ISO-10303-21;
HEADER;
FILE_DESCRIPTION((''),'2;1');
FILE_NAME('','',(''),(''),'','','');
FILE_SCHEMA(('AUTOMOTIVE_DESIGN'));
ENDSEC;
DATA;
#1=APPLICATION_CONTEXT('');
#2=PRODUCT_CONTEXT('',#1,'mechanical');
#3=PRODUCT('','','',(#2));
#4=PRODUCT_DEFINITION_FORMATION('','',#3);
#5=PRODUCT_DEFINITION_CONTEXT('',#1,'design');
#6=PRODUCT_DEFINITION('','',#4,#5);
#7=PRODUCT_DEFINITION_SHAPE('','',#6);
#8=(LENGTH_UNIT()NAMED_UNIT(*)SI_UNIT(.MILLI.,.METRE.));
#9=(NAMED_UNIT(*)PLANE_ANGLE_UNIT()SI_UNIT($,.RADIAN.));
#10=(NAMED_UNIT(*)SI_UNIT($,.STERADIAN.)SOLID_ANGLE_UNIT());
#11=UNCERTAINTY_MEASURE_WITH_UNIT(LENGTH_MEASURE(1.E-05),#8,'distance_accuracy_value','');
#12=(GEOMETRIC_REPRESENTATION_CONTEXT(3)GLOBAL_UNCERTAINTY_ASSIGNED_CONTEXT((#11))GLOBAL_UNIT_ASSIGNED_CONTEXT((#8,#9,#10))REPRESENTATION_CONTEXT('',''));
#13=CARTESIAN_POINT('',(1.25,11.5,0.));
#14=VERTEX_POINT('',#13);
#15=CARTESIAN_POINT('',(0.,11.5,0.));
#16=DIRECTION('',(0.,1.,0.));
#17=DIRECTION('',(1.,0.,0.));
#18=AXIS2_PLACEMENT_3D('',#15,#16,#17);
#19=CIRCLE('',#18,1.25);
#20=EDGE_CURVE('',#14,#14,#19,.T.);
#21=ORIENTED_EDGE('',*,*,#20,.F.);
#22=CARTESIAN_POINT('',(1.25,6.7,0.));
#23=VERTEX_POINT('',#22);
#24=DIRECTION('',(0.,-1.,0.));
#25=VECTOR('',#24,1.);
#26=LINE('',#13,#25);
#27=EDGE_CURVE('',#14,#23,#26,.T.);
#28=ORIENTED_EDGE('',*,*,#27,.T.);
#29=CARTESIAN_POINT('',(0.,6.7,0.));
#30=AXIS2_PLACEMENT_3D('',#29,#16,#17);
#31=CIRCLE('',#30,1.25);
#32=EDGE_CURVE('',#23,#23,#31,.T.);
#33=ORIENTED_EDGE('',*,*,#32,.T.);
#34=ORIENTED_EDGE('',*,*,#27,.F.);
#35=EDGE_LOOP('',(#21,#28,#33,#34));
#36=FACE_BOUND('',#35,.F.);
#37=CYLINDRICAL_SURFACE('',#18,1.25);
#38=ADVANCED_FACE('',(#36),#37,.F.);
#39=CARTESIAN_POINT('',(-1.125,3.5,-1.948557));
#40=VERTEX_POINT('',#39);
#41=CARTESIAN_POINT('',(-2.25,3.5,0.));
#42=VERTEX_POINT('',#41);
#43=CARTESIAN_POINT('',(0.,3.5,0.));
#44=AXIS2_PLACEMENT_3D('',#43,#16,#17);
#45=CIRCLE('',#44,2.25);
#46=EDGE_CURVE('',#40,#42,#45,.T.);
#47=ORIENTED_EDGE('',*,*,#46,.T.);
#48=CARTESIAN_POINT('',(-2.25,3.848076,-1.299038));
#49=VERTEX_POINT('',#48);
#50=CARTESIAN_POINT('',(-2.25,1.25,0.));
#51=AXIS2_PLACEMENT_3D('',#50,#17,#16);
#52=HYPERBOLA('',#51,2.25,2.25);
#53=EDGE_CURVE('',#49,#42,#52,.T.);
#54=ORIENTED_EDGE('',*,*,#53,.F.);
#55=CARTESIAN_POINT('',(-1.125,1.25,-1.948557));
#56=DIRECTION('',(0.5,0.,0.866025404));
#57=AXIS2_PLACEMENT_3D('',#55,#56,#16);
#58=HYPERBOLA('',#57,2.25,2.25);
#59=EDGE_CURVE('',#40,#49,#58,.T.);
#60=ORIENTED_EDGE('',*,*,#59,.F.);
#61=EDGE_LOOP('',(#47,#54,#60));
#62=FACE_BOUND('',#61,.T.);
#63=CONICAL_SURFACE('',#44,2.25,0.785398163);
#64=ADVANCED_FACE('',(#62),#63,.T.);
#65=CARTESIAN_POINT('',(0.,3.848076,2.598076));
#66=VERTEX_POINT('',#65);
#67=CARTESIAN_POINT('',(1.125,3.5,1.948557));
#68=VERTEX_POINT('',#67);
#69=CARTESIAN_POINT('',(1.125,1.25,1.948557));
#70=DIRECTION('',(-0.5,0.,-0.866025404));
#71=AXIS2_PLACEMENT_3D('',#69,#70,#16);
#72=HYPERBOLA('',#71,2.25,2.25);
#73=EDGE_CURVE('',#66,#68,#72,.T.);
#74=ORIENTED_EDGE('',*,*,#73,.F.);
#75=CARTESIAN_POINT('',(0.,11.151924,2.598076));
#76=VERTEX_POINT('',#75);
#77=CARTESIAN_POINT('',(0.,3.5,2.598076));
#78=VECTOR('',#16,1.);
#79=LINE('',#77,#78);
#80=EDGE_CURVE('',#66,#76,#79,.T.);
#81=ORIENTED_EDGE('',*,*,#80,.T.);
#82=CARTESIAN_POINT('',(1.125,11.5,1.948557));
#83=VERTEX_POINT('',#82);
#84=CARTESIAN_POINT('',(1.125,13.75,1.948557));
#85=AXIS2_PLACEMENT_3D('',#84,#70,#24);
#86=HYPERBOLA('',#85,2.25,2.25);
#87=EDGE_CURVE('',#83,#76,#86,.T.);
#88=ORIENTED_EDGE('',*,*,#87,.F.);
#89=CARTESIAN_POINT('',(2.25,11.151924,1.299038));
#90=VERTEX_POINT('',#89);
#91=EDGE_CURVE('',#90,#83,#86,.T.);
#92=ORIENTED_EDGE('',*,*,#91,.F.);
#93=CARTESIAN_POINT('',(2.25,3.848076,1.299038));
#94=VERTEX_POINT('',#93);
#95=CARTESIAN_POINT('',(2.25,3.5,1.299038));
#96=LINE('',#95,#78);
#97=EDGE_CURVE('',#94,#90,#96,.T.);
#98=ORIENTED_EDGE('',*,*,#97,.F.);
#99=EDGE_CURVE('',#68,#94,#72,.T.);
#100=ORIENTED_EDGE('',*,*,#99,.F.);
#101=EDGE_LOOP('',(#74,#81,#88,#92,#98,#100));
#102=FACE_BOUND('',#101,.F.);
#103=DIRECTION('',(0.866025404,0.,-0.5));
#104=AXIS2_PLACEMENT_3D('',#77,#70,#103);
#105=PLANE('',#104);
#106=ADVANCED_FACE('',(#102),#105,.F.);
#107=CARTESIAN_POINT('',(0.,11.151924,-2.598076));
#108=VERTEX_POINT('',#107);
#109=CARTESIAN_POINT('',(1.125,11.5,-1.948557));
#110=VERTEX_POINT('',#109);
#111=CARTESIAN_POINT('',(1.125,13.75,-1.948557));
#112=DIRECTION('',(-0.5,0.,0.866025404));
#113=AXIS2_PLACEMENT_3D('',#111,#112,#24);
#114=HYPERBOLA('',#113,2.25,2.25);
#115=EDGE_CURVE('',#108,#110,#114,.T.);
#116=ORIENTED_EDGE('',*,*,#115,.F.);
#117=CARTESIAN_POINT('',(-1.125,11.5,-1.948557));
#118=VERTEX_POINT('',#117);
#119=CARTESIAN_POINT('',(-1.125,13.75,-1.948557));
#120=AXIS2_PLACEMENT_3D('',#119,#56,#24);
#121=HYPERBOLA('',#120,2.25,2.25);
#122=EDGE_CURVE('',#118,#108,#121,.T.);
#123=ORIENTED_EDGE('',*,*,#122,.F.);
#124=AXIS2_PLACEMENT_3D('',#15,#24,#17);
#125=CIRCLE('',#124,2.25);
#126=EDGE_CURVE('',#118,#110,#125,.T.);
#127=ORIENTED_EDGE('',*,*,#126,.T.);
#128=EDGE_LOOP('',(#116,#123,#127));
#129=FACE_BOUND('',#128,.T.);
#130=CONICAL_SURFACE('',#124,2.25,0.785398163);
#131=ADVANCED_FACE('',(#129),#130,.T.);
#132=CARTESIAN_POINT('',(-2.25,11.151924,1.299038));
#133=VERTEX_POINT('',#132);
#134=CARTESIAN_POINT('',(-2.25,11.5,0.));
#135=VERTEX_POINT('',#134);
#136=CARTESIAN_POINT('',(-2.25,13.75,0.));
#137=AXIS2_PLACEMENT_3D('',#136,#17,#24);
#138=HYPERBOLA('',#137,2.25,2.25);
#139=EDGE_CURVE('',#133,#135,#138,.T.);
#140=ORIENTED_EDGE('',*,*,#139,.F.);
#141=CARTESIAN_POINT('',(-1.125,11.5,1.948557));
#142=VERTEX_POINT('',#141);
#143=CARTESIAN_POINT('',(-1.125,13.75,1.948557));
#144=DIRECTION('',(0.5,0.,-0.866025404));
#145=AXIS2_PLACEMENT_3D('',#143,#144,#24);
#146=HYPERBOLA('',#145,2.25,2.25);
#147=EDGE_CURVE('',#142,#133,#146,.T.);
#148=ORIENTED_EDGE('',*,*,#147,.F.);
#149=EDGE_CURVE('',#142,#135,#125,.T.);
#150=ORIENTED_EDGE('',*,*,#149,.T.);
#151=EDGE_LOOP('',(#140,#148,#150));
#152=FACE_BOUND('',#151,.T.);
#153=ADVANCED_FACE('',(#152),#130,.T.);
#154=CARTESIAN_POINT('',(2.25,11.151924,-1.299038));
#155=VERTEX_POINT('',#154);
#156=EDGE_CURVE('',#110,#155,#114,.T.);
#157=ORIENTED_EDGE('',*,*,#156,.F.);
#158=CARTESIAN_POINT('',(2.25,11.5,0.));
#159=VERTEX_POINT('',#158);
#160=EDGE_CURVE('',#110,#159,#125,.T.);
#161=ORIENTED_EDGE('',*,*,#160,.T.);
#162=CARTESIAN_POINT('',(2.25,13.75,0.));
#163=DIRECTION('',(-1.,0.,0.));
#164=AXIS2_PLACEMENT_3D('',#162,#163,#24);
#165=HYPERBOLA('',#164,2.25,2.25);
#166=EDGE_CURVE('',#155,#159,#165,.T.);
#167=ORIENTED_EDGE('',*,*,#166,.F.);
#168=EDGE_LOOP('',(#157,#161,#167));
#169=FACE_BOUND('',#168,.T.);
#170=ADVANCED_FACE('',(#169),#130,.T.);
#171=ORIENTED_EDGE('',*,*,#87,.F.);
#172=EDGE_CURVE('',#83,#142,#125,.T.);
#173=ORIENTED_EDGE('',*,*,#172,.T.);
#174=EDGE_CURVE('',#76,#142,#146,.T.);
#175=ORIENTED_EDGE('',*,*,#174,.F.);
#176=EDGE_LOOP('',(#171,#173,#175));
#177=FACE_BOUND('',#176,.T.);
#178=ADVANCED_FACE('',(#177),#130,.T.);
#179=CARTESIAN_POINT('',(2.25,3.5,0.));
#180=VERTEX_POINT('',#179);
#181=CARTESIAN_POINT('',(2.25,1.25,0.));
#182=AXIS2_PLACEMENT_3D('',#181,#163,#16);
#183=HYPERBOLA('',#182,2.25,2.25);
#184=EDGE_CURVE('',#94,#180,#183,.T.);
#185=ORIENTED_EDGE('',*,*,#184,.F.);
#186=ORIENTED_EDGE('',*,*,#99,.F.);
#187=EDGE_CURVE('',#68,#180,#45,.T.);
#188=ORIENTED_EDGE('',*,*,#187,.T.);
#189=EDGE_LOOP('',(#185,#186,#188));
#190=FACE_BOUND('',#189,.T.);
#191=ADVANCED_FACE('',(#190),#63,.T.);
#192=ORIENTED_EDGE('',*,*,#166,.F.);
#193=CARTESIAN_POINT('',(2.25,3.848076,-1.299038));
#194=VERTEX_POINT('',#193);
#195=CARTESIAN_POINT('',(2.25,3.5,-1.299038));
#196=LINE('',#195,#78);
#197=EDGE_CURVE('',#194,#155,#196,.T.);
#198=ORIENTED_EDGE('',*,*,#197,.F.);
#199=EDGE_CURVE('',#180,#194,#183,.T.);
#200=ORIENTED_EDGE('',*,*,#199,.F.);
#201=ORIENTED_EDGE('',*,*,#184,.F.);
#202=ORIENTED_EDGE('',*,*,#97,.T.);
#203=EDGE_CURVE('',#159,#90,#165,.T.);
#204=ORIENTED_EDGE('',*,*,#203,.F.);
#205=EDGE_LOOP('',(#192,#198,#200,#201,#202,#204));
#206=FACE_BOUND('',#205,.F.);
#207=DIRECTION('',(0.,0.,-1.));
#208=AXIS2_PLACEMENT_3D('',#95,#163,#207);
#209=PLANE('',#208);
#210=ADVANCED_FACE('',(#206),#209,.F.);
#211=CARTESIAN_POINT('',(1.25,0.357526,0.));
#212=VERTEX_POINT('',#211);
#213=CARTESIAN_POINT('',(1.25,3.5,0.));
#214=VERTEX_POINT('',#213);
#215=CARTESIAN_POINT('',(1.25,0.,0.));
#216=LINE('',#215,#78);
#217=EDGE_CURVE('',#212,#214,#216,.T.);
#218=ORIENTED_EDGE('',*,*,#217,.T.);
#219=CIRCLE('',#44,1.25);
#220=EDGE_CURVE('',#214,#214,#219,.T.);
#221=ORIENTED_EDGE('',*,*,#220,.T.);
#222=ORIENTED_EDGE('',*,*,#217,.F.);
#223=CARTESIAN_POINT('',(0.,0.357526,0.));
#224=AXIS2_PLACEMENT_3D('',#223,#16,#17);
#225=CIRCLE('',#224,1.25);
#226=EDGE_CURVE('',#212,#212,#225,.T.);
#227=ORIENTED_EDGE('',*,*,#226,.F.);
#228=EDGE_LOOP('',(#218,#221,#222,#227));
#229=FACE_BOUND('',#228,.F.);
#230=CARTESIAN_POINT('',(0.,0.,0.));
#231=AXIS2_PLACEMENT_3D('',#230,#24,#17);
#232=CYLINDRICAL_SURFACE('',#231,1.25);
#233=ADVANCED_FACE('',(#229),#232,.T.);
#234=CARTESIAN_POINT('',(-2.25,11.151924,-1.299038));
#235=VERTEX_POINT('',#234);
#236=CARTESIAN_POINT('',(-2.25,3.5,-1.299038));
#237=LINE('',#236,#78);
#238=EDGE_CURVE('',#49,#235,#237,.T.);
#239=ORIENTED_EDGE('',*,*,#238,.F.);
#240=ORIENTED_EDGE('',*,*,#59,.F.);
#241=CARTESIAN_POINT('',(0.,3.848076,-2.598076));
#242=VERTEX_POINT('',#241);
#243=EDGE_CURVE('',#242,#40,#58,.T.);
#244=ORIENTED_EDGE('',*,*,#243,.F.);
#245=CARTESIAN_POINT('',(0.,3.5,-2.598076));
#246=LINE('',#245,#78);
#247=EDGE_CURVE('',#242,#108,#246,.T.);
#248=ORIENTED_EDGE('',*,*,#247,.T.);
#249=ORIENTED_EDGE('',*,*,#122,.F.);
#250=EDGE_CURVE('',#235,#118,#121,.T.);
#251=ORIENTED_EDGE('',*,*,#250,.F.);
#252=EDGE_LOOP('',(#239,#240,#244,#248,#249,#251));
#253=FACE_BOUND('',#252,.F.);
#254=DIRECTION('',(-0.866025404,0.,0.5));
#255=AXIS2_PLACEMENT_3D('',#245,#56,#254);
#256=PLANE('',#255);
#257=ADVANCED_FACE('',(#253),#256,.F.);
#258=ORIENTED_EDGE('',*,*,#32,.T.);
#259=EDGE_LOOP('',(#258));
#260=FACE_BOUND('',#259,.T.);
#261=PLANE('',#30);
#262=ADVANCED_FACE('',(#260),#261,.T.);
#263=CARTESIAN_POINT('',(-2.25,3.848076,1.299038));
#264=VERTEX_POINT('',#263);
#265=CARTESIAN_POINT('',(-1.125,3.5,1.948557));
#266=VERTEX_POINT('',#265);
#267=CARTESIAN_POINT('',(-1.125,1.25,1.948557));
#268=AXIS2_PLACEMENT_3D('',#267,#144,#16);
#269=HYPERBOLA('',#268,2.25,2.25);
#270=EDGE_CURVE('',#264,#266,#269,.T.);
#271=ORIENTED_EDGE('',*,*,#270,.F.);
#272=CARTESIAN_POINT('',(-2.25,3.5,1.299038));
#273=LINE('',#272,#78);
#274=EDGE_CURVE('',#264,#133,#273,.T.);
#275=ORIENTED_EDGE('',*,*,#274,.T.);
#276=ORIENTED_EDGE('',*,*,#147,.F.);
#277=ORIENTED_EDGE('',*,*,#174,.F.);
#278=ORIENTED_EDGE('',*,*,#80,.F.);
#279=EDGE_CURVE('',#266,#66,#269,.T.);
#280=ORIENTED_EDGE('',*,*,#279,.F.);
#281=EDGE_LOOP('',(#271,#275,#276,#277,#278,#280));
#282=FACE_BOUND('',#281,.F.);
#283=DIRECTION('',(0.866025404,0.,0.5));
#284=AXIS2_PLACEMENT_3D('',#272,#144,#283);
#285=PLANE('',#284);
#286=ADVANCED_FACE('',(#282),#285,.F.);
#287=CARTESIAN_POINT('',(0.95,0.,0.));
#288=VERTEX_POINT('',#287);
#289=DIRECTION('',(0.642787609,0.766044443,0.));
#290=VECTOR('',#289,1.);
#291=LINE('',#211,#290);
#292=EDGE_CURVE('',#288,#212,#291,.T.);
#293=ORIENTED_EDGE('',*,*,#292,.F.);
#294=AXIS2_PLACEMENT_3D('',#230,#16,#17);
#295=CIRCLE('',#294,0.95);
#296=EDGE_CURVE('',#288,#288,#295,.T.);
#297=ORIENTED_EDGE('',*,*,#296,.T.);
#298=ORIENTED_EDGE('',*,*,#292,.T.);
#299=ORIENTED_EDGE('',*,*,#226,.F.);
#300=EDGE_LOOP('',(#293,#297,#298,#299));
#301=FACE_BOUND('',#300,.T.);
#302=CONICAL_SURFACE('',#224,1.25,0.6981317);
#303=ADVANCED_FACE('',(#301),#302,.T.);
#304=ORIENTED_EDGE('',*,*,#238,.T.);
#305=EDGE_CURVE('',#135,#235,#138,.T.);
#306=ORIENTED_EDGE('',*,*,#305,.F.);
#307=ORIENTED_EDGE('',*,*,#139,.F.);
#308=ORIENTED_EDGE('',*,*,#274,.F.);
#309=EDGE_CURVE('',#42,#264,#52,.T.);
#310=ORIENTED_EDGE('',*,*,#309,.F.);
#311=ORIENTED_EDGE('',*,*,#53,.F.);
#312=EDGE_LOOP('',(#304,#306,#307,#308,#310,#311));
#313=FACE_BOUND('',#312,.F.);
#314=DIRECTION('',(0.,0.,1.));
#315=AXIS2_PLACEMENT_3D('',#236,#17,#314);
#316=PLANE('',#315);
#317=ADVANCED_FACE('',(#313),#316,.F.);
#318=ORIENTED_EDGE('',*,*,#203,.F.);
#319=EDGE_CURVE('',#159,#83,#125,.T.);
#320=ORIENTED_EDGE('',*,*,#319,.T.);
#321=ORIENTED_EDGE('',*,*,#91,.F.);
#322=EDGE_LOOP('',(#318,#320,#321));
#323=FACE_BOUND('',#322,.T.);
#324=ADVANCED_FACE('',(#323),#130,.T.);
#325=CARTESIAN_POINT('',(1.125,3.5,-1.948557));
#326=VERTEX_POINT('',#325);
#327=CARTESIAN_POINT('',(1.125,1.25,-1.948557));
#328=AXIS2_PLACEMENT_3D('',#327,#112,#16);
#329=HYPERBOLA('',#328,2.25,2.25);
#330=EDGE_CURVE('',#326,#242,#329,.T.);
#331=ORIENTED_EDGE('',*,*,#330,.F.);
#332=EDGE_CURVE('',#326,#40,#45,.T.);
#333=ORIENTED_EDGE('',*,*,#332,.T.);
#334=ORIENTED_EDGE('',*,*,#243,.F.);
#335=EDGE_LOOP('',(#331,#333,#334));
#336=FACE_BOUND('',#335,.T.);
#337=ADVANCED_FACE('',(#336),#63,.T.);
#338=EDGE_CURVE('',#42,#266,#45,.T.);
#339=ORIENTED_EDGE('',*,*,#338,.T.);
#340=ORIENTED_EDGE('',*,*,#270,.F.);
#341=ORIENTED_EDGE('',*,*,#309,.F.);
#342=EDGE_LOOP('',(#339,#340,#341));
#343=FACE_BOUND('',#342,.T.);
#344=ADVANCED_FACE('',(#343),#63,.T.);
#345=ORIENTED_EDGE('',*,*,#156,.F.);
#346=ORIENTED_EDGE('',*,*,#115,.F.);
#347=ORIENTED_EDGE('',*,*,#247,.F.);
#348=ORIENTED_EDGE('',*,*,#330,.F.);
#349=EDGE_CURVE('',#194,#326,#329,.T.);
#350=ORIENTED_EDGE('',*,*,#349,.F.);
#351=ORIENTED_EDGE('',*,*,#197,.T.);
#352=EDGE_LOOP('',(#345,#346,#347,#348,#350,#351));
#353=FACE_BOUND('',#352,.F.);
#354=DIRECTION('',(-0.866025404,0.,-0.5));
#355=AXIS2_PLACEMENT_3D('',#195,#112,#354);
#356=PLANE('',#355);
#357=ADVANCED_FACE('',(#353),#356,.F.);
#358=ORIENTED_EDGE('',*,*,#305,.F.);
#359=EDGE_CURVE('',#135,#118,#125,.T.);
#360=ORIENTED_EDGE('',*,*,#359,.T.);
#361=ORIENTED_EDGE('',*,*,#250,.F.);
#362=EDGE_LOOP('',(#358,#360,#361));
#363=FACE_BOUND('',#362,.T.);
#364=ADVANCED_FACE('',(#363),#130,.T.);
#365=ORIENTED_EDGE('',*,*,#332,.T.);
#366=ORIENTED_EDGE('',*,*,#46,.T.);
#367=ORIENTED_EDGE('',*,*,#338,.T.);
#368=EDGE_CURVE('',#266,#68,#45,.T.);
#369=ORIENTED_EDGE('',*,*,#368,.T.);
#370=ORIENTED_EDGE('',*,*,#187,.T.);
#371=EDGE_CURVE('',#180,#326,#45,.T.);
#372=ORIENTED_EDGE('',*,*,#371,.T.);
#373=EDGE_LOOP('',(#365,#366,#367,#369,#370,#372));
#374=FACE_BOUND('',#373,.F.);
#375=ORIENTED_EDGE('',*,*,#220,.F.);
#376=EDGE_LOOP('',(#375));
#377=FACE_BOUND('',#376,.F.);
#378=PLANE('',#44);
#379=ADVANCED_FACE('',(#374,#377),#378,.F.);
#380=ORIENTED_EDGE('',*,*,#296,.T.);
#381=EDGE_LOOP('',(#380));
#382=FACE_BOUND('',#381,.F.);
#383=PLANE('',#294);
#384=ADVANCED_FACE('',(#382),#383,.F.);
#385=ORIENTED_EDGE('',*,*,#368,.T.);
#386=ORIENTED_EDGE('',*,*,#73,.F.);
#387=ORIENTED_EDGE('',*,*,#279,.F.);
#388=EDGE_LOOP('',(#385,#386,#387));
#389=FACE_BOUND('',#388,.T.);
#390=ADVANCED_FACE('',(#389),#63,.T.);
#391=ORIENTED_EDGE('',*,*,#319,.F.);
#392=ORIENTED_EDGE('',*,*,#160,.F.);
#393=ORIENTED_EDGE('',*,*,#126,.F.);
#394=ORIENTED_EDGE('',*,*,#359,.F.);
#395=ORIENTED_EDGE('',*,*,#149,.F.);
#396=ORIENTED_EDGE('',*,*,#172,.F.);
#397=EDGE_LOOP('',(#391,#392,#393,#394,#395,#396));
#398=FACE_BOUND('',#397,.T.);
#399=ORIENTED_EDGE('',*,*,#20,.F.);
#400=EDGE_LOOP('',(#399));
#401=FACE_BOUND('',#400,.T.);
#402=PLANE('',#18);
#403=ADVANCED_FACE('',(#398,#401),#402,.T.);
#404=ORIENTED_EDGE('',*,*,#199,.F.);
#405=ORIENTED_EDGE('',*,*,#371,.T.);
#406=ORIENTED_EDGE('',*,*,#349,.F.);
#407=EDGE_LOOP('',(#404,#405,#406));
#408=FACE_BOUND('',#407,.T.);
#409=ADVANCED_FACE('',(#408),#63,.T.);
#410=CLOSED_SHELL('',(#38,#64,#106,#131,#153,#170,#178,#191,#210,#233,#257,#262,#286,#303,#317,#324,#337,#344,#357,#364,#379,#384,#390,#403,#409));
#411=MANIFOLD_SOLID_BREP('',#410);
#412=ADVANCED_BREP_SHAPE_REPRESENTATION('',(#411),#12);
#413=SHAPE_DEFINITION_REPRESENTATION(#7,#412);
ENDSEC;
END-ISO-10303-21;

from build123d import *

# Parameters (mm, degrees)
SKETCH1_R           = 1.25
BOSS_EXTRUDE1_DEPTH = 3.5
BOSS_EXTRUDE2_DEPTH = 8
SKETCH3_R           = 1.25
CUT_EXTRUDE1_DEPTH  = 4.8
SKETCH5_OUTSIDE_W   = 34.18
SKETCH5_OUTSIDE_H   = 34.876
SKETCH5_OUTSIDE_R   = 2.25
CUT_EXTRUDE2_DEPTH  = 12.5
CUT_EXTRUDE2_TAPER  = 45
SKETCH6_OUTSIDE_W   = 27.18
SKETCH6_OUTSIDE_H   = 27.876
SKETCH6_OUTSIDE_R   = 2.25
CUT_EXTRUDE3_DEPTH  = 9
CUT_EXTRUDE3_TAPER  = 45
CHAMFER1_SIZE       = 0.3
CHAMFER1_SIZE2      = 0.357526078


with BuildPart() as part:
    # Sketch1 → Boss-Extrude1 (new body)
    with BuildSketch(Plane(origin=(0, 0, 0), x_dir=(1, 0, 0), z_dir=(0, 1, 0))):
        Circle(SKETCH1_R)
    extrude(amount=BOSS_EXTRUDE1_DEPTH)

    # Sketch2 → Boss-Extrude2 (add)
    with BuildSketch(Plane(origin=(0, 3.5, 0), x_dir=(1, 0, 0), z_dir=(0, 1, 0))):
        Polygon((2.25, -1.299038106), (2.25, 1.299038106), (0, 2.598076211), (-2.25, 1.299038106), (-2.25, -1.299038106), (0, -2.598076211), align=None)
    extrude(amount=BOSS_EXTRUDE2_DEPTH)

    # Sketch3 → Cut-Extrude1 (cut)
    with BuildSketch(Plane(origin=(0, 11.5, 0), x_dir=(1, 0, 0), z_dir=(0, 1, 0))):
        Circle(SKETCH3_R)
    extrude(amount=-CUT_EXTRUDE1_DEPTH, mode=Mode.SUBTRACT)

    # Sketch5 outside → Cut-Extrude2 (cut, through all)
    with BuildSketch(Plane(origin=(0, 11.5, 0), x_dir=(1, 0, 0), z_dir=(0, 1, 0))):
        Rectangle(SKETCH5_OUTSIDE_W, SKETCH5_OUTSIDE_H)
        Circle(SKETCH5_OUTSIDE_R, mode=Mode.SUBTRACT)
    extrude(amount=-CUT_EXTRUDE2_DEPTH, taper=CUT_EXTRUDE2_TAPER, mode=Mode.SUBTRACT)

    # Sketch6 outside → Cut-Extrude3 (cut, through all)
    with BuildSketch(Plane.XZ.offset(-3.5)):
        Rectangle(SKETCH6_OUTSIDE_W, SKETCH6_OUTSIDE_H)
        Circle(SKETCH6_OUTSIDE_R, mode=Mode.SUBTRACT)
    extrude(amount=-CUT_EXTRUDE3_DEPTH, taper=CUT_EXTRUDE3_TAPER, mode=Mode.SUBTRACT)

    # Chamfer1
    chamfer1_edges = [part.edges().sort_by_distance(p)[0] for p in [
        (-1.25, 0, 0),
    ]]
    chamfer1_side = [part.faces().sort_by_distance(p)[0] for p in [
        (0, 0, 0),
    ]]
    chamfer(chamfer1_edges, length=CHAMFER1_SIZE, length2=CHAMFER1_SIZE2, reference=chamfer1_side[0])


solid = part.part
